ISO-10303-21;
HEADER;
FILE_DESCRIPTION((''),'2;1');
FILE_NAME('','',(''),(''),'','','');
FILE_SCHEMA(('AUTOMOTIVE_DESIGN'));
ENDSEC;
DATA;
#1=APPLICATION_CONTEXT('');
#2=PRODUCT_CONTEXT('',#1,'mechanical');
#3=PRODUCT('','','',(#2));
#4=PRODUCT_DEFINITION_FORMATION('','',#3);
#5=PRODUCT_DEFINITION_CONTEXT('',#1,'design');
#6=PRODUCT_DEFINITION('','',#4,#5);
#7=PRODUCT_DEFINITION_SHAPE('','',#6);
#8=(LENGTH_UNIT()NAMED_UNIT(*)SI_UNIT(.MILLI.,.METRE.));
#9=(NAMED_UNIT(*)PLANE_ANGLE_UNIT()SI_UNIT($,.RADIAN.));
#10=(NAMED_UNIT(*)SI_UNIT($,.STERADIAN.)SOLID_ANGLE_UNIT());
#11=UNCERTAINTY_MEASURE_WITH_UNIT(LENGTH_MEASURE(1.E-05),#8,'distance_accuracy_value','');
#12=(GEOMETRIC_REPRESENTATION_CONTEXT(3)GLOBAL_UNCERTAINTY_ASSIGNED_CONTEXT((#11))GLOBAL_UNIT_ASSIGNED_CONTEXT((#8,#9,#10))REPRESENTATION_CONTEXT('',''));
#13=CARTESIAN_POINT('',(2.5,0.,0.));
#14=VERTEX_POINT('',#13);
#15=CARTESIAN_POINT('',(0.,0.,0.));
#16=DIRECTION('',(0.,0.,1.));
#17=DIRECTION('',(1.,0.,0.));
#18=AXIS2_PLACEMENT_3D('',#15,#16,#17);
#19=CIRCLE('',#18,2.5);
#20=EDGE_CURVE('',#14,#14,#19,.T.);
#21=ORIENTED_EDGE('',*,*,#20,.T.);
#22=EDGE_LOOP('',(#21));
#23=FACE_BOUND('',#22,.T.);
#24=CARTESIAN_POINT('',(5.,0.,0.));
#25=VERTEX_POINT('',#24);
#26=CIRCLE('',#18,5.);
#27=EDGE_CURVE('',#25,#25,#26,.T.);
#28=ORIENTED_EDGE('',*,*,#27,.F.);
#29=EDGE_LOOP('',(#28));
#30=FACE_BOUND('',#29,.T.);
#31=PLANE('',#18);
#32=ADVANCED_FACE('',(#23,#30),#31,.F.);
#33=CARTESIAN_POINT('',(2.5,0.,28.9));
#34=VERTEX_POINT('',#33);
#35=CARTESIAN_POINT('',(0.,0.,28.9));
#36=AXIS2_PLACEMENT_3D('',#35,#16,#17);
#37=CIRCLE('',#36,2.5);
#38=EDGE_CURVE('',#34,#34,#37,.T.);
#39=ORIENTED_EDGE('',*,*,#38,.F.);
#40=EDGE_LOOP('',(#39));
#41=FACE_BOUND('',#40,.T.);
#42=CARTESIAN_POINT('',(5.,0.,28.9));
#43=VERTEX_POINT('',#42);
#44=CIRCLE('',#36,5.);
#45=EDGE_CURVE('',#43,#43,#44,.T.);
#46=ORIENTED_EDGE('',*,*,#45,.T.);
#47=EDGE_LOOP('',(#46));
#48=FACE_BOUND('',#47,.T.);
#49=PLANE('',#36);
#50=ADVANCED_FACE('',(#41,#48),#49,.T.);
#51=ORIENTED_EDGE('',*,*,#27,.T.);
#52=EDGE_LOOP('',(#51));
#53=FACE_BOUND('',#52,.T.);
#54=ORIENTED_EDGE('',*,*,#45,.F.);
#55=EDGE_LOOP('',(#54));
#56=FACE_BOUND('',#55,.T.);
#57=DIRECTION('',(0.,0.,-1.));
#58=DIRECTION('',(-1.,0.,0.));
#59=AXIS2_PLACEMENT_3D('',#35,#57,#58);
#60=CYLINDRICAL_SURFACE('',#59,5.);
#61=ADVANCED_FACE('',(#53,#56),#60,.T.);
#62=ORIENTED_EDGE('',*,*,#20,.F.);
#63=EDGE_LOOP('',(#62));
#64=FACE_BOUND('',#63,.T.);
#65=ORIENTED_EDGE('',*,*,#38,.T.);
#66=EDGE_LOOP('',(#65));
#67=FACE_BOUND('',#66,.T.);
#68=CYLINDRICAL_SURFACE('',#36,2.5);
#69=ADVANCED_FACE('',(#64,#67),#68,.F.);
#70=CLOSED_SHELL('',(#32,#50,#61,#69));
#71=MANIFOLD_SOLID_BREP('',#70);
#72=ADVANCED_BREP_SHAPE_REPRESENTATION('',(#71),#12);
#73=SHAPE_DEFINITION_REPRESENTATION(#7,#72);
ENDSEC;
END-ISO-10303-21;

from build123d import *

# Parameters (mm, degrees)
SKETCH1_R                 = 5
BOSS_EXTRUDE1_DEPTH       = 28.9
F_5_0MM_DOWEL_HOLE1_D     = 5
F_5_0MM_DOWEL_HOLE1_DEPTH = 28.9


with BuildPart() as part:
    # Sketch1 → Boss-Extrude1 (new body)
    with BuildSketch(Plane.XY):
        Circle(SKETCH1_R)
    extrude(amount=BOSS_EXTRUDE1_DEPTH)

    # Ø5.0mm Dowel Hole1
    with Locations(Plane.XY.offset(28.9)):
        with Locations((0, 0)):
            Hole(F_5_0MM_DOWEL_HOLE1_D / 2, depth=F_5_0MM_DOWEL_HOLE1_DEPTH)


solid = part.part
